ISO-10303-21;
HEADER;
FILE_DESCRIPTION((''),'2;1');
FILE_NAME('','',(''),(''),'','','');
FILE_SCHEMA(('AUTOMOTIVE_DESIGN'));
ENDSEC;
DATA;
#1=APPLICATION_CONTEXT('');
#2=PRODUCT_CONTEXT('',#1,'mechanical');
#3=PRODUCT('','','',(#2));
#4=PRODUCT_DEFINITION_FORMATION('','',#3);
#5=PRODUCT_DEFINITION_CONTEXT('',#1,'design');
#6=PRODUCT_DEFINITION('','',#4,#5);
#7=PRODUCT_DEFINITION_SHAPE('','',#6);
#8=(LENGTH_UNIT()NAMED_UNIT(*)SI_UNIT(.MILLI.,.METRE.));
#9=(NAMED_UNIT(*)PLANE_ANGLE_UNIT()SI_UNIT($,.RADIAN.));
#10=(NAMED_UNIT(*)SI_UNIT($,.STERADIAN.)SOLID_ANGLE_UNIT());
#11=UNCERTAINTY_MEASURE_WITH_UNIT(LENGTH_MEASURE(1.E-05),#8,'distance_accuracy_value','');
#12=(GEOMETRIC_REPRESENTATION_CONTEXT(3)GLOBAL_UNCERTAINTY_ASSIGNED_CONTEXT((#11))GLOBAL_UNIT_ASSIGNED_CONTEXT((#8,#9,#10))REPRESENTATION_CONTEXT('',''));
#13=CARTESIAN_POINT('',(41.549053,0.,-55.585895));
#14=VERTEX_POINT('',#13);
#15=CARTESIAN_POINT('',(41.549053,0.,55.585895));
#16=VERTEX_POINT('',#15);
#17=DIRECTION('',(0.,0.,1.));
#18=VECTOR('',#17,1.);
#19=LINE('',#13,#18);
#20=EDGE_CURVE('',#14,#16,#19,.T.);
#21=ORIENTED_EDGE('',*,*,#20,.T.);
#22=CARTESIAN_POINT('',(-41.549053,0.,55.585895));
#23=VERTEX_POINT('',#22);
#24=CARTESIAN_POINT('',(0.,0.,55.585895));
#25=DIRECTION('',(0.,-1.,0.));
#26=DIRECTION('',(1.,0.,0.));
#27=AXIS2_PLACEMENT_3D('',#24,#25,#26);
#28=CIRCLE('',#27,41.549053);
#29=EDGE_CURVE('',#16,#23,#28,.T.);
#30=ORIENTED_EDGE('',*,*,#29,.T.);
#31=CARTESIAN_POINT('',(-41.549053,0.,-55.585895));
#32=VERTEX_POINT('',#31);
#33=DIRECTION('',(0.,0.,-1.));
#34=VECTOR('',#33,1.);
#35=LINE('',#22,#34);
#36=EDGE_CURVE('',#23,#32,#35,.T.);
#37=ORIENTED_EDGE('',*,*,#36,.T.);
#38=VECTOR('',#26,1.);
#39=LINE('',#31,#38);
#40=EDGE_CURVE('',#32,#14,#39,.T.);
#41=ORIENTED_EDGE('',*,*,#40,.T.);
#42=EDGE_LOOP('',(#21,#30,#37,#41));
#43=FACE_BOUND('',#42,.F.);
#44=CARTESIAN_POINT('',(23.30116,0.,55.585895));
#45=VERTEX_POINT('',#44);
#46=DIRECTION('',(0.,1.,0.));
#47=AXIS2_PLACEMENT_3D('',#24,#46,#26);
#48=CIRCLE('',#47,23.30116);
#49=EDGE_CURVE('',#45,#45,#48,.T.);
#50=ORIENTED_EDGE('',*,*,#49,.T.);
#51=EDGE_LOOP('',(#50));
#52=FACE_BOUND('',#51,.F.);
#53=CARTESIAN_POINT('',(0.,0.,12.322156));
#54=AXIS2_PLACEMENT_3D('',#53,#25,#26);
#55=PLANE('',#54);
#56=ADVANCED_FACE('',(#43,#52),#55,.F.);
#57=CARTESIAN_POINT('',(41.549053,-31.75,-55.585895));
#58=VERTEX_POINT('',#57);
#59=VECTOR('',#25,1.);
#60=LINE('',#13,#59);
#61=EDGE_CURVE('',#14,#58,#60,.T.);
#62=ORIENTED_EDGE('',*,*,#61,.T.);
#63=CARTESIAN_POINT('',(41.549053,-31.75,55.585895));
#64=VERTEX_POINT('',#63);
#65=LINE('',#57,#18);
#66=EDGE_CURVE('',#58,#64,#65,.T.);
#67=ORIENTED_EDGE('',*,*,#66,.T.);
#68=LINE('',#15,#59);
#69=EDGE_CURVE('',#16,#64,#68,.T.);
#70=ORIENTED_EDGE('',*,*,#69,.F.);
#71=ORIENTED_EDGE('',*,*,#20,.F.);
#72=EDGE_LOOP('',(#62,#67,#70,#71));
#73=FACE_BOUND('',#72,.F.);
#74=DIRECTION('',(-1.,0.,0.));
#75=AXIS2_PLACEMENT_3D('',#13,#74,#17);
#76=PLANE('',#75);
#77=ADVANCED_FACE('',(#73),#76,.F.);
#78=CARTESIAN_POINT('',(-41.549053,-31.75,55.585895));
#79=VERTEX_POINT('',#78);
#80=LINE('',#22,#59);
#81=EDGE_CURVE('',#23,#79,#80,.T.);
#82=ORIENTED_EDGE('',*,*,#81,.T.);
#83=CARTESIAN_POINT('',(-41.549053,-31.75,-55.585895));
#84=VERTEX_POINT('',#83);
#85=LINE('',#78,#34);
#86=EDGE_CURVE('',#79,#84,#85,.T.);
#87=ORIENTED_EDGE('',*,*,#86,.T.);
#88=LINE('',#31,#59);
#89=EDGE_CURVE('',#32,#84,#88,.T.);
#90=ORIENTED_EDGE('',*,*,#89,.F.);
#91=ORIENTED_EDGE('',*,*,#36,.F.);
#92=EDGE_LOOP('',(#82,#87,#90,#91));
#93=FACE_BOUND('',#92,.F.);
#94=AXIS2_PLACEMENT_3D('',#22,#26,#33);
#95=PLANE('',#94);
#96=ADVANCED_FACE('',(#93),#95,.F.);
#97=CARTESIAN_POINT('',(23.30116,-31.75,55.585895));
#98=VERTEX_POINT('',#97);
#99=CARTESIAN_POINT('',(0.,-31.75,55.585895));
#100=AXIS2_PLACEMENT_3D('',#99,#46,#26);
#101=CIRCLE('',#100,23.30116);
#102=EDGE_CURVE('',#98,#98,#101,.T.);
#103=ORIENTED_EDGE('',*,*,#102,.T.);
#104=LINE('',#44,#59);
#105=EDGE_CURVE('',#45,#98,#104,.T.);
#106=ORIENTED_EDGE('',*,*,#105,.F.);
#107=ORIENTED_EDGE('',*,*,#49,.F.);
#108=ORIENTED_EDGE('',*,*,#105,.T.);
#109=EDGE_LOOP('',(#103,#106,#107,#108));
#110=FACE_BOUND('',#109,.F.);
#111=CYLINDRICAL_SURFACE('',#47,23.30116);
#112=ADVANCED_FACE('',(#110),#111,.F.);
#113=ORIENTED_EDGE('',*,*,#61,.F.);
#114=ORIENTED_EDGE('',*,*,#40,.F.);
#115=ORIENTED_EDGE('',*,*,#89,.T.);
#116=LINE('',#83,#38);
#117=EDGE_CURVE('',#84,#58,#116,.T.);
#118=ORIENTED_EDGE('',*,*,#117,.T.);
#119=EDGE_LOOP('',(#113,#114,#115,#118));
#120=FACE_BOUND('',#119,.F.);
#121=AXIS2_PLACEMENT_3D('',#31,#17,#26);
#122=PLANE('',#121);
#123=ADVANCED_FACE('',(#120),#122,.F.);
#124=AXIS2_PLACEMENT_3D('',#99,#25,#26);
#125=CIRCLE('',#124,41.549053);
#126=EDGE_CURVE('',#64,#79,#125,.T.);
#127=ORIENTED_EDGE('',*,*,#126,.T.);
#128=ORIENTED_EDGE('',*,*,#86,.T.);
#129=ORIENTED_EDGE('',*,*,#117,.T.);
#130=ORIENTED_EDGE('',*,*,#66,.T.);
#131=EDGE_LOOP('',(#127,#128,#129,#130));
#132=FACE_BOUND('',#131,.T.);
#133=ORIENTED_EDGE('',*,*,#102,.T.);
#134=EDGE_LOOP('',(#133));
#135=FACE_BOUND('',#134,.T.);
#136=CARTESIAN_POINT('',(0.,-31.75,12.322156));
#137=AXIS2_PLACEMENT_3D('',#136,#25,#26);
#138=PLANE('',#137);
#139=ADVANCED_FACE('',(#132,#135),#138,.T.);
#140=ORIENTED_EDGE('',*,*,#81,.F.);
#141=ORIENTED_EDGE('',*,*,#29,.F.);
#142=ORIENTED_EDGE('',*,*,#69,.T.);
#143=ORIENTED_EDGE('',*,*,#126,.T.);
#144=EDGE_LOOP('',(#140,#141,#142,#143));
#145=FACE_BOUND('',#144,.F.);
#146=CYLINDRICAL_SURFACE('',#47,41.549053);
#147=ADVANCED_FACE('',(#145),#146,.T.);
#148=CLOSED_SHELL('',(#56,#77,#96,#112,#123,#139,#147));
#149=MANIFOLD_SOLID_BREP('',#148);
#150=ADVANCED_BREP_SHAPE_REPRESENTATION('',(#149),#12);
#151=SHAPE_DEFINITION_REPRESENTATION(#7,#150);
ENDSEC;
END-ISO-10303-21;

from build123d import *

# Parameters (mm, degrees)
F1_DEPTH = 31.75


with BuildPart() as f1:
    # F0 (on Front) → F1 (new body)
    with BuildSketch(Plane.XZ):
        with BuildLine():
            Line((-41.549053, -55.585895), (41.549053, -55.585895))
            Line((41.549053, -55.585895), (41.549053, 55.585895))
            ThreePointArc((41.549053, 55.585895), (0, 97.134948), (-41.549053, 55.585895))
            Line((-41.549053, 55.585895), (-41.549053, -55.585895))
        make_face()
        with BuildLine():
            ThreePointArc((-23.30116, 55.585895), (0, 78.887055), (23.30116, 55.585895))
            ThreePointArc((23.30116, 55.585895), (0, 32.284735), (-23.30116, 55.585895))
        make_face(mode=Mode.SUBTRACT)
    extrude(amount=F1_DEPTH)


solid = f1.part
